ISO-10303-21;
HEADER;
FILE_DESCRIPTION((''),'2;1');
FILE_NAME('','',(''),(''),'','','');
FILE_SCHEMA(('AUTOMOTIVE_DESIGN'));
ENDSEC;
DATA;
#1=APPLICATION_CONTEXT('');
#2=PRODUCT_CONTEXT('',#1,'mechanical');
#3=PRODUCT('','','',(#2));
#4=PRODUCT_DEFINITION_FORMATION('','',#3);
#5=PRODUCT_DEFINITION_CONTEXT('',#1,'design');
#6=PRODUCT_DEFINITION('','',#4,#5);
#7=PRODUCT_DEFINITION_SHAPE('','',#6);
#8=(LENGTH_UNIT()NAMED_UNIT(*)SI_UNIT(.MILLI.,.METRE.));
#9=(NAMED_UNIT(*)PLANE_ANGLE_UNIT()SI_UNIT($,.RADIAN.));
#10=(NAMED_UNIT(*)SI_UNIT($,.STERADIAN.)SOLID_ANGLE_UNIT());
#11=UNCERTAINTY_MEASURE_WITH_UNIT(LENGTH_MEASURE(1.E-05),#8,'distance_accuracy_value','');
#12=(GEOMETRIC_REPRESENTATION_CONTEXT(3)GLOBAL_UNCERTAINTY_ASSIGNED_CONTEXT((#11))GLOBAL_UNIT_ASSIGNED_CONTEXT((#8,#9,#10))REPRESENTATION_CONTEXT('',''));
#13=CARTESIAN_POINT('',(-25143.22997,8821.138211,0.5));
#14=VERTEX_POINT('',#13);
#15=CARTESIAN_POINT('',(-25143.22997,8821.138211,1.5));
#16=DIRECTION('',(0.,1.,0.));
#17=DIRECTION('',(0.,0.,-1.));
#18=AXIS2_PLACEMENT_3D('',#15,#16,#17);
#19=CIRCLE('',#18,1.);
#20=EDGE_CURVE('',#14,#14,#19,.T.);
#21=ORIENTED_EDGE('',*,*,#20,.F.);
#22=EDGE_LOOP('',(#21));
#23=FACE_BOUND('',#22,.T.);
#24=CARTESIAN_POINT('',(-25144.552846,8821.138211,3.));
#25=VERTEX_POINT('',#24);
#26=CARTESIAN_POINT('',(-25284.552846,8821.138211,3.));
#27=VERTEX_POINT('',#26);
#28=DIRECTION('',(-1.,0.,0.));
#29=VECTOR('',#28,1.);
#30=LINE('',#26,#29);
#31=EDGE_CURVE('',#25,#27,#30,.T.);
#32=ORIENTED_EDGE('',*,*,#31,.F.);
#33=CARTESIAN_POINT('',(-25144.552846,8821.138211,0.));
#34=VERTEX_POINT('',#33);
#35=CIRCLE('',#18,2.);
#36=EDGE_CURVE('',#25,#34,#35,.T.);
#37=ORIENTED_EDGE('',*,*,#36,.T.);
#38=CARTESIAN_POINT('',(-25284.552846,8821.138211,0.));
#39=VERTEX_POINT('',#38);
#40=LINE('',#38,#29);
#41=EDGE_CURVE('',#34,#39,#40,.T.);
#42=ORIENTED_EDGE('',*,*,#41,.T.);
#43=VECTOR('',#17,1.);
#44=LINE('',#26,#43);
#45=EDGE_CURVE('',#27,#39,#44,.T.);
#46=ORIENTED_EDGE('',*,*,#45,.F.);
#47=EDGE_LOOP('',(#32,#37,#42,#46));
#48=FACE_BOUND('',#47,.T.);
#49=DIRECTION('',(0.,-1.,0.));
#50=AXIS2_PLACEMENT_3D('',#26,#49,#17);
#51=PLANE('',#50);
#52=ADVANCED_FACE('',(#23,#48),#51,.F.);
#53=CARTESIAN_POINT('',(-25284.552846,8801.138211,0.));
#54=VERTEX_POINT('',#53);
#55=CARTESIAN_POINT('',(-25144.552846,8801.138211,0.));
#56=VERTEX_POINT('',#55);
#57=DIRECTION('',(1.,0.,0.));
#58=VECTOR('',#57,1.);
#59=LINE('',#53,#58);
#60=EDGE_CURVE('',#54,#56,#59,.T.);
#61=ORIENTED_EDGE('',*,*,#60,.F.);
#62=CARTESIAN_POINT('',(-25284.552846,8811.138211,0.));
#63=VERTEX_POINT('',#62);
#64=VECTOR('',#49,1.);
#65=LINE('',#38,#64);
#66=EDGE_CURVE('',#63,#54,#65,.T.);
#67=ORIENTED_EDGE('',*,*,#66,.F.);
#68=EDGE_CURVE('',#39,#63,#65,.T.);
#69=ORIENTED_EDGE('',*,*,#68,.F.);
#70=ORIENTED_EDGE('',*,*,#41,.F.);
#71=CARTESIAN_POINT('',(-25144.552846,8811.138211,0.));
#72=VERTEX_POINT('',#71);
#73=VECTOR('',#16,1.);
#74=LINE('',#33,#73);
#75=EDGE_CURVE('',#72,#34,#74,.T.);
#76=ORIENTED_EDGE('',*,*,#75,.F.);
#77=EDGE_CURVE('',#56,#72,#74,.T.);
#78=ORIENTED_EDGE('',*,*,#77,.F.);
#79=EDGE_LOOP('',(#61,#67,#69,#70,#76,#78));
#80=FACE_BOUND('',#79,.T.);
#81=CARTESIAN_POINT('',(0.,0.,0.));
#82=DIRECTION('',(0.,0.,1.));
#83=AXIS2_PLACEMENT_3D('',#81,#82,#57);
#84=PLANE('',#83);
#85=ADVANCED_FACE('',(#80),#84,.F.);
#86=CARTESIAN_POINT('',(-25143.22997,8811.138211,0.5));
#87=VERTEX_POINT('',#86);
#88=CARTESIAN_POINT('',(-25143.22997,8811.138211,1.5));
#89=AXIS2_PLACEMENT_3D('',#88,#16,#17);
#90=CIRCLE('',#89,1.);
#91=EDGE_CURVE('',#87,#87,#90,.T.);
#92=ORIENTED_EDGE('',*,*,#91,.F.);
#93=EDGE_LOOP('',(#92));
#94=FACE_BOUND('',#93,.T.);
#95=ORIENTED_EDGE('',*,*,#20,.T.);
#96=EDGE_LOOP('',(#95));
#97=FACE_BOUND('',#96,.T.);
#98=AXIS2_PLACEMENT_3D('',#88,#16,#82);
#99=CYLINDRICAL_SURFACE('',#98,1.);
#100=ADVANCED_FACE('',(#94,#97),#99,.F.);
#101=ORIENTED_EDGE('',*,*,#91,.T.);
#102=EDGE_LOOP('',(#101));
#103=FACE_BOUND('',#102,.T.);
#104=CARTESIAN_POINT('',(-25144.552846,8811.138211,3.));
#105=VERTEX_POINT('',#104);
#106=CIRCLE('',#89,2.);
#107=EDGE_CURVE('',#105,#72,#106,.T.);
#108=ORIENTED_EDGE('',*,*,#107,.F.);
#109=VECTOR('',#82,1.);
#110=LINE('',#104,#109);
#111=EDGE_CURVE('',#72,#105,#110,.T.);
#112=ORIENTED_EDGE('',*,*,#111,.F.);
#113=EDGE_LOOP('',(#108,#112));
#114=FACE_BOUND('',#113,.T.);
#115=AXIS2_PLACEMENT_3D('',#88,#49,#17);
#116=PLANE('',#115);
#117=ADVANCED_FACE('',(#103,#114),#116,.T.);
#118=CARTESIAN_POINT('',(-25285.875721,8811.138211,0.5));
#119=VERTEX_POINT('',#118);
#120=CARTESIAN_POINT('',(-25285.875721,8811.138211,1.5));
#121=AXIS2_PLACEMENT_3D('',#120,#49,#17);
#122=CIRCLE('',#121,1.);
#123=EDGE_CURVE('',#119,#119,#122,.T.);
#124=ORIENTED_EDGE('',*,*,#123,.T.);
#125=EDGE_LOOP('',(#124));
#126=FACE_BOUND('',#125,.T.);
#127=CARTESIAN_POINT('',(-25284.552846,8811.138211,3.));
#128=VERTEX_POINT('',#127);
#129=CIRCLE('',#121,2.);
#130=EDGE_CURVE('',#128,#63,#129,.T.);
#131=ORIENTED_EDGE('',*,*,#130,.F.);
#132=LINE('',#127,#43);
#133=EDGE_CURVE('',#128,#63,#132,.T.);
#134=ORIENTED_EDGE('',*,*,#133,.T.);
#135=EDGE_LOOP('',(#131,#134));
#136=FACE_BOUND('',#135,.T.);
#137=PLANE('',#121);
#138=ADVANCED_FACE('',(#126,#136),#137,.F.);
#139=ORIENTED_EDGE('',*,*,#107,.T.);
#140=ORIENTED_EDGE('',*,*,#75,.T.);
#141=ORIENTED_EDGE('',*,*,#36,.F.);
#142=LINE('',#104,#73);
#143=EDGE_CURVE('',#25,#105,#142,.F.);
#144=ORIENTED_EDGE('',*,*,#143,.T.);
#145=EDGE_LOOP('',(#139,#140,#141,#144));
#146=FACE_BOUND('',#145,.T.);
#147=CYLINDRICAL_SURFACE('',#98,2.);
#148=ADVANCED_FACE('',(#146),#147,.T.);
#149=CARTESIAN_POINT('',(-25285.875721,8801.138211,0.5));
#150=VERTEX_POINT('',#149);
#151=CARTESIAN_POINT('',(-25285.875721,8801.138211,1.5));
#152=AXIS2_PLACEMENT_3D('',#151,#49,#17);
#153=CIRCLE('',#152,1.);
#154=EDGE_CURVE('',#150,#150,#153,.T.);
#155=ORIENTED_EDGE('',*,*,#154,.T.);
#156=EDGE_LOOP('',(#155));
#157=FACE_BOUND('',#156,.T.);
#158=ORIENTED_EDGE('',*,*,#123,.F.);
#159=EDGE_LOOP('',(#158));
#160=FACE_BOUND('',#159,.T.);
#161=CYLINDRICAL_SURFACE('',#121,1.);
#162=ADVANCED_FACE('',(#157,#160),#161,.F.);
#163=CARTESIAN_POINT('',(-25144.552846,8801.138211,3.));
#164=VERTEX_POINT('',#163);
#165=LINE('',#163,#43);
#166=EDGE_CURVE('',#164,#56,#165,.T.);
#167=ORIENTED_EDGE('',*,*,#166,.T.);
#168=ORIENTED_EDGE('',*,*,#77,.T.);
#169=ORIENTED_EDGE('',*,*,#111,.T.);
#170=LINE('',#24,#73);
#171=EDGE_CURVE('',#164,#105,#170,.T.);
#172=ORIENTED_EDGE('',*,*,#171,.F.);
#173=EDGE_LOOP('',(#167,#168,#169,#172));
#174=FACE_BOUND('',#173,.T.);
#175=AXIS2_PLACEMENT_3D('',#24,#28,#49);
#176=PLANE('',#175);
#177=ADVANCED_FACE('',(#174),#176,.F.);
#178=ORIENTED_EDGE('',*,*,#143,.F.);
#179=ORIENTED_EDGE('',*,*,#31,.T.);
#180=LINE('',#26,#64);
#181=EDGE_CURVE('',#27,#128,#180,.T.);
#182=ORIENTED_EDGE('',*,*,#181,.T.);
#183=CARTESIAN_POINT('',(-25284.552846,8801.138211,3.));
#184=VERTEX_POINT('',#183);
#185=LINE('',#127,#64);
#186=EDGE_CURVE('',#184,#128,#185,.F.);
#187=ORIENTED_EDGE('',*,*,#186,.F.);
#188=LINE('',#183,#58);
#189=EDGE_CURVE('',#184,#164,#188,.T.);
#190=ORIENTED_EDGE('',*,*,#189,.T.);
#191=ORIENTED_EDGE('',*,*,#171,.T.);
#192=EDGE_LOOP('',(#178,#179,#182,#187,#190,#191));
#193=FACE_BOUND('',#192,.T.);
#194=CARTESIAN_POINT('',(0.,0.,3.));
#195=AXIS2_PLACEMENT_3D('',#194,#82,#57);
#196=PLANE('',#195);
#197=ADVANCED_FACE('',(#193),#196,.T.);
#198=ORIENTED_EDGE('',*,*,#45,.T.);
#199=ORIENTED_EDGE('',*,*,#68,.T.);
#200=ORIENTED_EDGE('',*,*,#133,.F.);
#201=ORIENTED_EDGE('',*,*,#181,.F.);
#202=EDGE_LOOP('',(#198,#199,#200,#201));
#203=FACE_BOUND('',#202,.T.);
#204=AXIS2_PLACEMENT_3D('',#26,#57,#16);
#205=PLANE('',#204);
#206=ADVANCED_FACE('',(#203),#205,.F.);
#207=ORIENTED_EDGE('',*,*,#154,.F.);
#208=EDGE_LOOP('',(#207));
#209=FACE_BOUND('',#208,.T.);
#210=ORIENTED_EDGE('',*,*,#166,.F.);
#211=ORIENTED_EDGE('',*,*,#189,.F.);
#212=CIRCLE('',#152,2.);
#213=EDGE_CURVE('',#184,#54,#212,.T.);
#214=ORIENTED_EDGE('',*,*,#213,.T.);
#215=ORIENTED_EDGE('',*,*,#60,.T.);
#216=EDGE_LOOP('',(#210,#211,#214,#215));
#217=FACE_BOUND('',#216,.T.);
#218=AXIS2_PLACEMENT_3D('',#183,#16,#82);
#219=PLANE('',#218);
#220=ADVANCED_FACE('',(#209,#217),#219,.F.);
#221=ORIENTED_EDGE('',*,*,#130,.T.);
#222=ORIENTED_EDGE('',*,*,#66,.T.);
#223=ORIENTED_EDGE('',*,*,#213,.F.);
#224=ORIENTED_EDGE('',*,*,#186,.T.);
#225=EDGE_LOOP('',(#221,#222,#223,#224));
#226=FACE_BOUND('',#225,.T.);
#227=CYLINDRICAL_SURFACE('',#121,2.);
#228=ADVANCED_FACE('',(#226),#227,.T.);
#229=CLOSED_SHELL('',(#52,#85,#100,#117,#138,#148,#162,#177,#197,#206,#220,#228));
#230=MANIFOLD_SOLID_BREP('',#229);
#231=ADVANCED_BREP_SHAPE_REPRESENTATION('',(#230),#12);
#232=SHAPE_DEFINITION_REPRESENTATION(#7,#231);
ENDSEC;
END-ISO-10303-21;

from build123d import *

# Parameters (mm, degrees)
SKETCH1_W           = 140
SKETCH1_H           = 20
BOSS_EXTRUDE1_DEPTH = 3
SKETCH2_R           = 2
SKETCH2_R_2         = 1
BOSS_EXTRUDE2_DEPTH = 10
SKETCH3_R           = 2
SKETCH3_R_2         = 1
BOSS_EXTRUDE3_DEPTH = 10


with BuildPart() as part:
    # Sketch1 → Boss-Extrude1 (new body)
    with BuildSketch(Plane.XY):
        with Locations((-25214.552845528, 8811.138211382)):
            Rectangle(SKETCH1_W, SKETCH1_H)
    extrude(amount=BOSS_EXTRUDE1_DEPTH)

    # Sketch2 → Boss-Extrude2 (add)
    with BuildSketch(Plane(origin=(0, 8821.138211382, 0), x_dir=(1, 0, 0), z_dir=(0, 1, 0))):
        with Locations((-25143.229969873, -1.5)):
            Circle(SKETCH2_R)
        with Locations(Location((-25143.229969873, -1.5, 0), (0, 0, 89.999999998))):
            Circle(SKETCH2_R_2, mode=Mode.SUBTRACT)
    extrude(amount=-BOSS_EXTRUDE2_DEPTH)

    # Sketch3 → Boss-Extrude3 (add)
    with BuildSketch(Plane.XZ.offset(-8801.138211382)):
        with Locations((-25285.875721184, 1.5)):
            Circle(SKETCH3_R)
        with Locations(Location((-25285.875721184, 1.5, 0), (0, 0, 270))):
            Circle(SKETCH3_R_2, mode=Mode.SUBTRACT)
    extrude(amount=-BOSS_EXTRUDE3_DEPTH)


solid = part.part
